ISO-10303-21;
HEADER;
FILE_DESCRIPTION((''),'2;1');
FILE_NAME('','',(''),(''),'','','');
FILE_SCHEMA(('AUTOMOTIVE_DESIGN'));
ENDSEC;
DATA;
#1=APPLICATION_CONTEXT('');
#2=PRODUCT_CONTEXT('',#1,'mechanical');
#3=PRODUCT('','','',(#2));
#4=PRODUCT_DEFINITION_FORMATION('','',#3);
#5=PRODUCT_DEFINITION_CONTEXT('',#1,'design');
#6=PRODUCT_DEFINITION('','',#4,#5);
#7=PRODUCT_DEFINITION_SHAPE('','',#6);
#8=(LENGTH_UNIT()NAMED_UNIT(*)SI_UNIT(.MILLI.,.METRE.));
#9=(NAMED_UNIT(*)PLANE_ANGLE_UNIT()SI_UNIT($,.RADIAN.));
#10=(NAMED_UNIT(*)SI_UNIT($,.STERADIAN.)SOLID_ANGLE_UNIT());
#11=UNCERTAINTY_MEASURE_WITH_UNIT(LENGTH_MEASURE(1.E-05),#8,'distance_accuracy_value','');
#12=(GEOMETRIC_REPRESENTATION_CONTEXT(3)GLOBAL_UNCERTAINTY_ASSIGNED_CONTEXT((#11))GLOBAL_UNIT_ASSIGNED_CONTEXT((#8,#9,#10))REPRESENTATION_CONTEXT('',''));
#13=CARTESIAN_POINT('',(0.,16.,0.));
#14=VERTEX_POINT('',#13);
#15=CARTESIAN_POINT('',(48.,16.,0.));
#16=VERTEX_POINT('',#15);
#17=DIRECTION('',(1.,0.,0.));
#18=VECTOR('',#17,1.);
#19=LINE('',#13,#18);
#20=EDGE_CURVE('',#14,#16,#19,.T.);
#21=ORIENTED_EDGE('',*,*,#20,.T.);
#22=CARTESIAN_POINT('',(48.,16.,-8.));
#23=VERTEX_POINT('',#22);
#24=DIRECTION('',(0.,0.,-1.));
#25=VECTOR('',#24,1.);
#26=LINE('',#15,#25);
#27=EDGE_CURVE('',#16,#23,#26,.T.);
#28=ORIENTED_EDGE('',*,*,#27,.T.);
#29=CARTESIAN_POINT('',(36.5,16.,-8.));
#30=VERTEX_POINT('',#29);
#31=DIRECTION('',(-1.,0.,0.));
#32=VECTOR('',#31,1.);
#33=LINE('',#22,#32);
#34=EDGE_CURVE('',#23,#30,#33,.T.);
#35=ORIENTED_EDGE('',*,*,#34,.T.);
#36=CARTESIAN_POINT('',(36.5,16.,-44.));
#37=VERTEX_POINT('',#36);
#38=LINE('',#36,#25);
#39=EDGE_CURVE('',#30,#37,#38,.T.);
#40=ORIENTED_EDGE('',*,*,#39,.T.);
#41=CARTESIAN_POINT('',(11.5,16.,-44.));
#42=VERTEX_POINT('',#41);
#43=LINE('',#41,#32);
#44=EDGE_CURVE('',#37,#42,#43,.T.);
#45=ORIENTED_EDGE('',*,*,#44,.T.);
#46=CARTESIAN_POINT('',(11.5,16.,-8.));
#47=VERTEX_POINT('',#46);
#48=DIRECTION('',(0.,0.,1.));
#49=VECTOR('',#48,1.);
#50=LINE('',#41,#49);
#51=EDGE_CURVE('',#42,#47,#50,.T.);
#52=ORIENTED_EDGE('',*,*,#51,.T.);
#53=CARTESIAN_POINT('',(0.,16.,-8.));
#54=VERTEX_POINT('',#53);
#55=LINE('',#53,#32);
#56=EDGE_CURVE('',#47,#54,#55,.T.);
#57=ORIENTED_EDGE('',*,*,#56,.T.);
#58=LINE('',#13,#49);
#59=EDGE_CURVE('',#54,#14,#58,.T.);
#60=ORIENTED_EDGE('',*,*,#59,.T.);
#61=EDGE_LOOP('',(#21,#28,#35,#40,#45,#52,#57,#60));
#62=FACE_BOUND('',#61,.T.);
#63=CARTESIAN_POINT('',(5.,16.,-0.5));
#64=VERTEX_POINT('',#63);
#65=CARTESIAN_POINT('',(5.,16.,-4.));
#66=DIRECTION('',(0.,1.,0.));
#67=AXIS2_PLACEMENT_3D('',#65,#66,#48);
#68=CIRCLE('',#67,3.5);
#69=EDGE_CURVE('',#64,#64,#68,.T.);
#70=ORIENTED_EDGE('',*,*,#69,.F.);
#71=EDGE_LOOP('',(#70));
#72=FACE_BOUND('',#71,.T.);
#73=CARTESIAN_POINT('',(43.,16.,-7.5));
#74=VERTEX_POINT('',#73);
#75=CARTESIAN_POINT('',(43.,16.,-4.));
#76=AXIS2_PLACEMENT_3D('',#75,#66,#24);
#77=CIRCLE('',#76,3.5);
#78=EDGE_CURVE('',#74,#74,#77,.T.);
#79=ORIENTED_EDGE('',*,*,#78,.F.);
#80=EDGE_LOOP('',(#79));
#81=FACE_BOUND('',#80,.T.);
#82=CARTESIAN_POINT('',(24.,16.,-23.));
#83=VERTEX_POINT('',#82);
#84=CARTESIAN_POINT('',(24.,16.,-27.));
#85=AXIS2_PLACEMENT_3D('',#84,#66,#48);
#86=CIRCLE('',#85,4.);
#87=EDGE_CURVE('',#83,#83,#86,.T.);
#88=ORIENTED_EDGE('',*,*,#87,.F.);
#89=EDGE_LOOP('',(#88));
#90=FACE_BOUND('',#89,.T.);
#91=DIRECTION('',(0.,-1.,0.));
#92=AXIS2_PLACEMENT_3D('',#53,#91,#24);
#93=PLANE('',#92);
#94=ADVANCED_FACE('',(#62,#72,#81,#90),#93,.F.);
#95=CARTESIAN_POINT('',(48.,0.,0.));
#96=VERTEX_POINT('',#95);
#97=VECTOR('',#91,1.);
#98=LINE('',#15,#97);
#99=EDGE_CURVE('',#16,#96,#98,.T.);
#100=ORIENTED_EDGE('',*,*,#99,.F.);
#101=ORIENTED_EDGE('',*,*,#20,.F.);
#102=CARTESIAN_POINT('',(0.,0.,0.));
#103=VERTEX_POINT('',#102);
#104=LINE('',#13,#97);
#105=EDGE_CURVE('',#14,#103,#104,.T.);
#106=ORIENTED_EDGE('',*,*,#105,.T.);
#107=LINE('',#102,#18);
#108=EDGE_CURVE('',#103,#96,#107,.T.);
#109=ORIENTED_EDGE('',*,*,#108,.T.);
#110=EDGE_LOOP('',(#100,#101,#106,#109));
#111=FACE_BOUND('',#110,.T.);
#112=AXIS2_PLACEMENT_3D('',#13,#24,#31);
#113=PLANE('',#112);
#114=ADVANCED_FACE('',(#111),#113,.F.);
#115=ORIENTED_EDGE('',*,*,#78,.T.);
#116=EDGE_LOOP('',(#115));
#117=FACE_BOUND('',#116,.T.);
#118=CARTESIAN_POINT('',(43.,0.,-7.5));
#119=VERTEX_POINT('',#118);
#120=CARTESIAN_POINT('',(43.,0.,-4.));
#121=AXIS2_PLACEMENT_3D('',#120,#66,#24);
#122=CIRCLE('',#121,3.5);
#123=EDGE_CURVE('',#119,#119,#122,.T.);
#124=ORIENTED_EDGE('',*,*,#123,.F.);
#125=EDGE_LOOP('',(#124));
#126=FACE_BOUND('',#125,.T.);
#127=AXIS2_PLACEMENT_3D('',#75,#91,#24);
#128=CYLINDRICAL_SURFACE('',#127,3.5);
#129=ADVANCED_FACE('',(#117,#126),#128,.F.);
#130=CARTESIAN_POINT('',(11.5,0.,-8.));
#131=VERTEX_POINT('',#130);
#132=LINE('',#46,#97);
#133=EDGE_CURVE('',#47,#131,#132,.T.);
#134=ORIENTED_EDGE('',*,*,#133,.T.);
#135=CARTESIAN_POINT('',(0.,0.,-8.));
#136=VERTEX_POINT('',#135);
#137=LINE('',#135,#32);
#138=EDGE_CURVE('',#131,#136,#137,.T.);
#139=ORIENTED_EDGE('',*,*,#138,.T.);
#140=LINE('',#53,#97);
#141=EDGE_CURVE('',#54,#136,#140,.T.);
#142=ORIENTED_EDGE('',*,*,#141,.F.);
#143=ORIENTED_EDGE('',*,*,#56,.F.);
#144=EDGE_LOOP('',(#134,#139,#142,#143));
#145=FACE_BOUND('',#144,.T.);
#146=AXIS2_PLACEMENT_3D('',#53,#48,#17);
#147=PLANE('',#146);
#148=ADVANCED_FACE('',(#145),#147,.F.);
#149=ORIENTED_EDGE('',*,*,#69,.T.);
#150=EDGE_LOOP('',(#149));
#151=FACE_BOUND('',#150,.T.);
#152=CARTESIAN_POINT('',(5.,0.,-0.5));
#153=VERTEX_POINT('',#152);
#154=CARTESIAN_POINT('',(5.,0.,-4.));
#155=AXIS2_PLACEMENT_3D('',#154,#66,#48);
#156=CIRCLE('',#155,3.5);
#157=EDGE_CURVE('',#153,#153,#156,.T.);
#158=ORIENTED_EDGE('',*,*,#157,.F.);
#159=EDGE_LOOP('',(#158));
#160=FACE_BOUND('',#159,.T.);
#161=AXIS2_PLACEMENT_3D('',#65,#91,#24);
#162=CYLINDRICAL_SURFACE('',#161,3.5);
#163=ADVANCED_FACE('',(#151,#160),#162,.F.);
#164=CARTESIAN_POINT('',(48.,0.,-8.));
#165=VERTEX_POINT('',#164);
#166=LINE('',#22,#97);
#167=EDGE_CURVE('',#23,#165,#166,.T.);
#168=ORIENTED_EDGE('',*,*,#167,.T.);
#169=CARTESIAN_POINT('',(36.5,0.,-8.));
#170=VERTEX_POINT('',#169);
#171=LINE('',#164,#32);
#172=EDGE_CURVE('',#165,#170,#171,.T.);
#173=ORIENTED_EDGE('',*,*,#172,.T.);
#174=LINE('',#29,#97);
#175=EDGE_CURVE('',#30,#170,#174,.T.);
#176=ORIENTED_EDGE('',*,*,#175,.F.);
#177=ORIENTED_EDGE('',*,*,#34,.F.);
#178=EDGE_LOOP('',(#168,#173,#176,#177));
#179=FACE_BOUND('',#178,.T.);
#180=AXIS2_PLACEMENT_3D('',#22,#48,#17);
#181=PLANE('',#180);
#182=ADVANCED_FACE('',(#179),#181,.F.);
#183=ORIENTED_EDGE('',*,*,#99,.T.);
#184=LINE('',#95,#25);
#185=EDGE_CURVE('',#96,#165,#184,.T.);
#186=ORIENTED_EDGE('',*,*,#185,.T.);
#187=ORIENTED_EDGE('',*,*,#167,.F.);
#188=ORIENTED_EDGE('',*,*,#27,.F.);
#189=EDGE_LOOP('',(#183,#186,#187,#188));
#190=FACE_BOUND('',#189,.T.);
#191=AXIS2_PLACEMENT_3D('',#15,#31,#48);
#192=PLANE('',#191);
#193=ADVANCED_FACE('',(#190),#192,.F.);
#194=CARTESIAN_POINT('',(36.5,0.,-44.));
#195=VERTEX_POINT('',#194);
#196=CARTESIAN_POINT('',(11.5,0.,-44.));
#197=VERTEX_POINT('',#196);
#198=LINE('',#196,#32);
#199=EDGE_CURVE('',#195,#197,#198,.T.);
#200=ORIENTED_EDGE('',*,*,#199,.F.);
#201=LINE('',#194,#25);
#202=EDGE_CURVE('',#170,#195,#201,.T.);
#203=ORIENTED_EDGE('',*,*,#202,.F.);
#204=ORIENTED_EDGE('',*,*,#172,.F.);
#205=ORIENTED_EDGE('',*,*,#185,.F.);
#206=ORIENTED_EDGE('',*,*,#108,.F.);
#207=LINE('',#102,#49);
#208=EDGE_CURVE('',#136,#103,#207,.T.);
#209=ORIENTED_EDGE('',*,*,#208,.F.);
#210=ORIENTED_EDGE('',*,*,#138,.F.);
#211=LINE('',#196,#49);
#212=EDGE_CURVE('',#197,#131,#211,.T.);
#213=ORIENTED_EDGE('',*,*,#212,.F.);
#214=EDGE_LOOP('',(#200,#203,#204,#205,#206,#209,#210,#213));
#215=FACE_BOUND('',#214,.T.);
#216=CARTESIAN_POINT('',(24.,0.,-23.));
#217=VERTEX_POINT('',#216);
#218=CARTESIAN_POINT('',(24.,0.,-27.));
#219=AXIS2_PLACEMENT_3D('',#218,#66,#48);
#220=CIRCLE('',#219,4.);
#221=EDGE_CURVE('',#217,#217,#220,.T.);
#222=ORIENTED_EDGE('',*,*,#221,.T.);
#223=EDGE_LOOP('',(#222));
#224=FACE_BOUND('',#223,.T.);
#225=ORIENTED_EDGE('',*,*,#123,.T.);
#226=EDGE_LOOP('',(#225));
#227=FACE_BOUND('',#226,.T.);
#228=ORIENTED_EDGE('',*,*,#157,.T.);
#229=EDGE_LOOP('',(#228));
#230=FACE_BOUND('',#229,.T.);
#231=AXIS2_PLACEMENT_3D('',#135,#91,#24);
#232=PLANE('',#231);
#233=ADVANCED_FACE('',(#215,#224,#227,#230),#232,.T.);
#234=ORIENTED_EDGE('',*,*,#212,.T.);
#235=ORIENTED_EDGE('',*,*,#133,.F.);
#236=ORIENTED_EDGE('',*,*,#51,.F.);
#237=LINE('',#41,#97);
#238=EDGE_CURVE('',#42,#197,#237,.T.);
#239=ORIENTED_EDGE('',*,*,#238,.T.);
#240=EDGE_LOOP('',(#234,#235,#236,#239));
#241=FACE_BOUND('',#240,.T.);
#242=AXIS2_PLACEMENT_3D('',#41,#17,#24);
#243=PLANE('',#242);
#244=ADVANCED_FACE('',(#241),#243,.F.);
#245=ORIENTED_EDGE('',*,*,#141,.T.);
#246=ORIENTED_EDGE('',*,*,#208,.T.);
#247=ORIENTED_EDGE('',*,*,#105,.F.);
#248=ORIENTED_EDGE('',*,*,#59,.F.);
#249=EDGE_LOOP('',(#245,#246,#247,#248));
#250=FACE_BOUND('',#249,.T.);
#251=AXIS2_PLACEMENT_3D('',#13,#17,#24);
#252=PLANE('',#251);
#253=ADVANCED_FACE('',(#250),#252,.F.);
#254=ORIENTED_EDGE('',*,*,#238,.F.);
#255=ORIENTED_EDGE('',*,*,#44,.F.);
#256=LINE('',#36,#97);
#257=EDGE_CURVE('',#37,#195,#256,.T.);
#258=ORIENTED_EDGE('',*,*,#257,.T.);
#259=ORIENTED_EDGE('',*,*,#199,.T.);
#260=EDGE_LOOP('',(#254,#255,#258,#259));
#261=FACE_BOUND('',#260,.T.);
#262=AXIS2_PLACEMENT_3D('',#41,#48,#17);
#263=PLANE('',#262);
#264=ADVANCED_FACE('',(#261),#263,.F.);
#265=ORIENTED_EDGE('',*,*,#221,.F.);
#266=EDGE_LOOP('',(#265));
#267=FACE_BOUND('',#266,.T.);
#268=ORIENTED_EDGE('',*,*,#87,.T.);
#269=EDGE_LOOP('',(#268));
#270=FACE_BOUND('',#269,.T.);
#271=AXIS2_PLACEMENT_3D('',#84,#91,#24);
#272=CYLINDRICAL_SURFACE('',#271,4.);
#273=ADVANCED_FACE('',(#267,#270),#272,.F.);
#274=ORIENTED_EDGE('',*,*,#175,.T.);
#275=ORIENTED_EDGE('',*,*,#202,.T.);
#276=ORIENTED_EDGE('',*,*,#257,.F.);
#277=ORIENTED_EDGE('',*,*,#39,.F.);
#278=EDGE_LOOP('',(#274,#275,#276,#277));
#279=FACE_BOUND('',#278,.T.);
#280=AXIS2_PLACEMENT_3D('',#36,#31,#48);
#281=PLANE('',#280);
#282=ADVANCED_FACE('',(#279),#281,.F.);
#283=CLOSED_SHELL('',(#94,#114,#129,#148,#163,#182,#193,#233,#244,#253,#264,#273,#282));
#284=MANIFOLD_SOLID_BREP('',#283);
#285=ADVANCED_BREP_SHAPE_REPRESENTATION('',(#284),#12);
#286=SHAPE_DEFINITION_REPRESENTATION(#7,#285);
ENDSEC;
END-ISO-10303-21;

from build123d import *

# Parameters (mm, degrees)
SKETCH1_R           = 3.5
SKETCH1_R_2         = 4
BOSS_EXTRUDE1_DEPTH = 16


with BuildPart() as part:
    # Sketch1 → Boss-Extrude1 (new body)
    with BuildSketch(Plane(origin=(0, 0, 0), x_dir=(1, 0, 0), z_dir=(0, 1, 0))):
        Polygon((0, 0), (48, 0), (48, 8), (36.5, 8), (36.5, 44), (11.5, 44), (11.5, 8), (0, 8), align=None)
        with Locations((5, 4)):
            Circle(SKETCH1_R, mode=Mode.SUBTRACT)
        with Locations((43, 4)):
            Circle(SKETCH1_R, mode=Mode.SUBTRACT)
        with Locations((24, 27)):
            Circle(SKETCH1_R_2, mode=Mode.SUBTRACT)
    extrude(amount=BOSS_EXTRUDE1_DEPTH)


solid = part.part
